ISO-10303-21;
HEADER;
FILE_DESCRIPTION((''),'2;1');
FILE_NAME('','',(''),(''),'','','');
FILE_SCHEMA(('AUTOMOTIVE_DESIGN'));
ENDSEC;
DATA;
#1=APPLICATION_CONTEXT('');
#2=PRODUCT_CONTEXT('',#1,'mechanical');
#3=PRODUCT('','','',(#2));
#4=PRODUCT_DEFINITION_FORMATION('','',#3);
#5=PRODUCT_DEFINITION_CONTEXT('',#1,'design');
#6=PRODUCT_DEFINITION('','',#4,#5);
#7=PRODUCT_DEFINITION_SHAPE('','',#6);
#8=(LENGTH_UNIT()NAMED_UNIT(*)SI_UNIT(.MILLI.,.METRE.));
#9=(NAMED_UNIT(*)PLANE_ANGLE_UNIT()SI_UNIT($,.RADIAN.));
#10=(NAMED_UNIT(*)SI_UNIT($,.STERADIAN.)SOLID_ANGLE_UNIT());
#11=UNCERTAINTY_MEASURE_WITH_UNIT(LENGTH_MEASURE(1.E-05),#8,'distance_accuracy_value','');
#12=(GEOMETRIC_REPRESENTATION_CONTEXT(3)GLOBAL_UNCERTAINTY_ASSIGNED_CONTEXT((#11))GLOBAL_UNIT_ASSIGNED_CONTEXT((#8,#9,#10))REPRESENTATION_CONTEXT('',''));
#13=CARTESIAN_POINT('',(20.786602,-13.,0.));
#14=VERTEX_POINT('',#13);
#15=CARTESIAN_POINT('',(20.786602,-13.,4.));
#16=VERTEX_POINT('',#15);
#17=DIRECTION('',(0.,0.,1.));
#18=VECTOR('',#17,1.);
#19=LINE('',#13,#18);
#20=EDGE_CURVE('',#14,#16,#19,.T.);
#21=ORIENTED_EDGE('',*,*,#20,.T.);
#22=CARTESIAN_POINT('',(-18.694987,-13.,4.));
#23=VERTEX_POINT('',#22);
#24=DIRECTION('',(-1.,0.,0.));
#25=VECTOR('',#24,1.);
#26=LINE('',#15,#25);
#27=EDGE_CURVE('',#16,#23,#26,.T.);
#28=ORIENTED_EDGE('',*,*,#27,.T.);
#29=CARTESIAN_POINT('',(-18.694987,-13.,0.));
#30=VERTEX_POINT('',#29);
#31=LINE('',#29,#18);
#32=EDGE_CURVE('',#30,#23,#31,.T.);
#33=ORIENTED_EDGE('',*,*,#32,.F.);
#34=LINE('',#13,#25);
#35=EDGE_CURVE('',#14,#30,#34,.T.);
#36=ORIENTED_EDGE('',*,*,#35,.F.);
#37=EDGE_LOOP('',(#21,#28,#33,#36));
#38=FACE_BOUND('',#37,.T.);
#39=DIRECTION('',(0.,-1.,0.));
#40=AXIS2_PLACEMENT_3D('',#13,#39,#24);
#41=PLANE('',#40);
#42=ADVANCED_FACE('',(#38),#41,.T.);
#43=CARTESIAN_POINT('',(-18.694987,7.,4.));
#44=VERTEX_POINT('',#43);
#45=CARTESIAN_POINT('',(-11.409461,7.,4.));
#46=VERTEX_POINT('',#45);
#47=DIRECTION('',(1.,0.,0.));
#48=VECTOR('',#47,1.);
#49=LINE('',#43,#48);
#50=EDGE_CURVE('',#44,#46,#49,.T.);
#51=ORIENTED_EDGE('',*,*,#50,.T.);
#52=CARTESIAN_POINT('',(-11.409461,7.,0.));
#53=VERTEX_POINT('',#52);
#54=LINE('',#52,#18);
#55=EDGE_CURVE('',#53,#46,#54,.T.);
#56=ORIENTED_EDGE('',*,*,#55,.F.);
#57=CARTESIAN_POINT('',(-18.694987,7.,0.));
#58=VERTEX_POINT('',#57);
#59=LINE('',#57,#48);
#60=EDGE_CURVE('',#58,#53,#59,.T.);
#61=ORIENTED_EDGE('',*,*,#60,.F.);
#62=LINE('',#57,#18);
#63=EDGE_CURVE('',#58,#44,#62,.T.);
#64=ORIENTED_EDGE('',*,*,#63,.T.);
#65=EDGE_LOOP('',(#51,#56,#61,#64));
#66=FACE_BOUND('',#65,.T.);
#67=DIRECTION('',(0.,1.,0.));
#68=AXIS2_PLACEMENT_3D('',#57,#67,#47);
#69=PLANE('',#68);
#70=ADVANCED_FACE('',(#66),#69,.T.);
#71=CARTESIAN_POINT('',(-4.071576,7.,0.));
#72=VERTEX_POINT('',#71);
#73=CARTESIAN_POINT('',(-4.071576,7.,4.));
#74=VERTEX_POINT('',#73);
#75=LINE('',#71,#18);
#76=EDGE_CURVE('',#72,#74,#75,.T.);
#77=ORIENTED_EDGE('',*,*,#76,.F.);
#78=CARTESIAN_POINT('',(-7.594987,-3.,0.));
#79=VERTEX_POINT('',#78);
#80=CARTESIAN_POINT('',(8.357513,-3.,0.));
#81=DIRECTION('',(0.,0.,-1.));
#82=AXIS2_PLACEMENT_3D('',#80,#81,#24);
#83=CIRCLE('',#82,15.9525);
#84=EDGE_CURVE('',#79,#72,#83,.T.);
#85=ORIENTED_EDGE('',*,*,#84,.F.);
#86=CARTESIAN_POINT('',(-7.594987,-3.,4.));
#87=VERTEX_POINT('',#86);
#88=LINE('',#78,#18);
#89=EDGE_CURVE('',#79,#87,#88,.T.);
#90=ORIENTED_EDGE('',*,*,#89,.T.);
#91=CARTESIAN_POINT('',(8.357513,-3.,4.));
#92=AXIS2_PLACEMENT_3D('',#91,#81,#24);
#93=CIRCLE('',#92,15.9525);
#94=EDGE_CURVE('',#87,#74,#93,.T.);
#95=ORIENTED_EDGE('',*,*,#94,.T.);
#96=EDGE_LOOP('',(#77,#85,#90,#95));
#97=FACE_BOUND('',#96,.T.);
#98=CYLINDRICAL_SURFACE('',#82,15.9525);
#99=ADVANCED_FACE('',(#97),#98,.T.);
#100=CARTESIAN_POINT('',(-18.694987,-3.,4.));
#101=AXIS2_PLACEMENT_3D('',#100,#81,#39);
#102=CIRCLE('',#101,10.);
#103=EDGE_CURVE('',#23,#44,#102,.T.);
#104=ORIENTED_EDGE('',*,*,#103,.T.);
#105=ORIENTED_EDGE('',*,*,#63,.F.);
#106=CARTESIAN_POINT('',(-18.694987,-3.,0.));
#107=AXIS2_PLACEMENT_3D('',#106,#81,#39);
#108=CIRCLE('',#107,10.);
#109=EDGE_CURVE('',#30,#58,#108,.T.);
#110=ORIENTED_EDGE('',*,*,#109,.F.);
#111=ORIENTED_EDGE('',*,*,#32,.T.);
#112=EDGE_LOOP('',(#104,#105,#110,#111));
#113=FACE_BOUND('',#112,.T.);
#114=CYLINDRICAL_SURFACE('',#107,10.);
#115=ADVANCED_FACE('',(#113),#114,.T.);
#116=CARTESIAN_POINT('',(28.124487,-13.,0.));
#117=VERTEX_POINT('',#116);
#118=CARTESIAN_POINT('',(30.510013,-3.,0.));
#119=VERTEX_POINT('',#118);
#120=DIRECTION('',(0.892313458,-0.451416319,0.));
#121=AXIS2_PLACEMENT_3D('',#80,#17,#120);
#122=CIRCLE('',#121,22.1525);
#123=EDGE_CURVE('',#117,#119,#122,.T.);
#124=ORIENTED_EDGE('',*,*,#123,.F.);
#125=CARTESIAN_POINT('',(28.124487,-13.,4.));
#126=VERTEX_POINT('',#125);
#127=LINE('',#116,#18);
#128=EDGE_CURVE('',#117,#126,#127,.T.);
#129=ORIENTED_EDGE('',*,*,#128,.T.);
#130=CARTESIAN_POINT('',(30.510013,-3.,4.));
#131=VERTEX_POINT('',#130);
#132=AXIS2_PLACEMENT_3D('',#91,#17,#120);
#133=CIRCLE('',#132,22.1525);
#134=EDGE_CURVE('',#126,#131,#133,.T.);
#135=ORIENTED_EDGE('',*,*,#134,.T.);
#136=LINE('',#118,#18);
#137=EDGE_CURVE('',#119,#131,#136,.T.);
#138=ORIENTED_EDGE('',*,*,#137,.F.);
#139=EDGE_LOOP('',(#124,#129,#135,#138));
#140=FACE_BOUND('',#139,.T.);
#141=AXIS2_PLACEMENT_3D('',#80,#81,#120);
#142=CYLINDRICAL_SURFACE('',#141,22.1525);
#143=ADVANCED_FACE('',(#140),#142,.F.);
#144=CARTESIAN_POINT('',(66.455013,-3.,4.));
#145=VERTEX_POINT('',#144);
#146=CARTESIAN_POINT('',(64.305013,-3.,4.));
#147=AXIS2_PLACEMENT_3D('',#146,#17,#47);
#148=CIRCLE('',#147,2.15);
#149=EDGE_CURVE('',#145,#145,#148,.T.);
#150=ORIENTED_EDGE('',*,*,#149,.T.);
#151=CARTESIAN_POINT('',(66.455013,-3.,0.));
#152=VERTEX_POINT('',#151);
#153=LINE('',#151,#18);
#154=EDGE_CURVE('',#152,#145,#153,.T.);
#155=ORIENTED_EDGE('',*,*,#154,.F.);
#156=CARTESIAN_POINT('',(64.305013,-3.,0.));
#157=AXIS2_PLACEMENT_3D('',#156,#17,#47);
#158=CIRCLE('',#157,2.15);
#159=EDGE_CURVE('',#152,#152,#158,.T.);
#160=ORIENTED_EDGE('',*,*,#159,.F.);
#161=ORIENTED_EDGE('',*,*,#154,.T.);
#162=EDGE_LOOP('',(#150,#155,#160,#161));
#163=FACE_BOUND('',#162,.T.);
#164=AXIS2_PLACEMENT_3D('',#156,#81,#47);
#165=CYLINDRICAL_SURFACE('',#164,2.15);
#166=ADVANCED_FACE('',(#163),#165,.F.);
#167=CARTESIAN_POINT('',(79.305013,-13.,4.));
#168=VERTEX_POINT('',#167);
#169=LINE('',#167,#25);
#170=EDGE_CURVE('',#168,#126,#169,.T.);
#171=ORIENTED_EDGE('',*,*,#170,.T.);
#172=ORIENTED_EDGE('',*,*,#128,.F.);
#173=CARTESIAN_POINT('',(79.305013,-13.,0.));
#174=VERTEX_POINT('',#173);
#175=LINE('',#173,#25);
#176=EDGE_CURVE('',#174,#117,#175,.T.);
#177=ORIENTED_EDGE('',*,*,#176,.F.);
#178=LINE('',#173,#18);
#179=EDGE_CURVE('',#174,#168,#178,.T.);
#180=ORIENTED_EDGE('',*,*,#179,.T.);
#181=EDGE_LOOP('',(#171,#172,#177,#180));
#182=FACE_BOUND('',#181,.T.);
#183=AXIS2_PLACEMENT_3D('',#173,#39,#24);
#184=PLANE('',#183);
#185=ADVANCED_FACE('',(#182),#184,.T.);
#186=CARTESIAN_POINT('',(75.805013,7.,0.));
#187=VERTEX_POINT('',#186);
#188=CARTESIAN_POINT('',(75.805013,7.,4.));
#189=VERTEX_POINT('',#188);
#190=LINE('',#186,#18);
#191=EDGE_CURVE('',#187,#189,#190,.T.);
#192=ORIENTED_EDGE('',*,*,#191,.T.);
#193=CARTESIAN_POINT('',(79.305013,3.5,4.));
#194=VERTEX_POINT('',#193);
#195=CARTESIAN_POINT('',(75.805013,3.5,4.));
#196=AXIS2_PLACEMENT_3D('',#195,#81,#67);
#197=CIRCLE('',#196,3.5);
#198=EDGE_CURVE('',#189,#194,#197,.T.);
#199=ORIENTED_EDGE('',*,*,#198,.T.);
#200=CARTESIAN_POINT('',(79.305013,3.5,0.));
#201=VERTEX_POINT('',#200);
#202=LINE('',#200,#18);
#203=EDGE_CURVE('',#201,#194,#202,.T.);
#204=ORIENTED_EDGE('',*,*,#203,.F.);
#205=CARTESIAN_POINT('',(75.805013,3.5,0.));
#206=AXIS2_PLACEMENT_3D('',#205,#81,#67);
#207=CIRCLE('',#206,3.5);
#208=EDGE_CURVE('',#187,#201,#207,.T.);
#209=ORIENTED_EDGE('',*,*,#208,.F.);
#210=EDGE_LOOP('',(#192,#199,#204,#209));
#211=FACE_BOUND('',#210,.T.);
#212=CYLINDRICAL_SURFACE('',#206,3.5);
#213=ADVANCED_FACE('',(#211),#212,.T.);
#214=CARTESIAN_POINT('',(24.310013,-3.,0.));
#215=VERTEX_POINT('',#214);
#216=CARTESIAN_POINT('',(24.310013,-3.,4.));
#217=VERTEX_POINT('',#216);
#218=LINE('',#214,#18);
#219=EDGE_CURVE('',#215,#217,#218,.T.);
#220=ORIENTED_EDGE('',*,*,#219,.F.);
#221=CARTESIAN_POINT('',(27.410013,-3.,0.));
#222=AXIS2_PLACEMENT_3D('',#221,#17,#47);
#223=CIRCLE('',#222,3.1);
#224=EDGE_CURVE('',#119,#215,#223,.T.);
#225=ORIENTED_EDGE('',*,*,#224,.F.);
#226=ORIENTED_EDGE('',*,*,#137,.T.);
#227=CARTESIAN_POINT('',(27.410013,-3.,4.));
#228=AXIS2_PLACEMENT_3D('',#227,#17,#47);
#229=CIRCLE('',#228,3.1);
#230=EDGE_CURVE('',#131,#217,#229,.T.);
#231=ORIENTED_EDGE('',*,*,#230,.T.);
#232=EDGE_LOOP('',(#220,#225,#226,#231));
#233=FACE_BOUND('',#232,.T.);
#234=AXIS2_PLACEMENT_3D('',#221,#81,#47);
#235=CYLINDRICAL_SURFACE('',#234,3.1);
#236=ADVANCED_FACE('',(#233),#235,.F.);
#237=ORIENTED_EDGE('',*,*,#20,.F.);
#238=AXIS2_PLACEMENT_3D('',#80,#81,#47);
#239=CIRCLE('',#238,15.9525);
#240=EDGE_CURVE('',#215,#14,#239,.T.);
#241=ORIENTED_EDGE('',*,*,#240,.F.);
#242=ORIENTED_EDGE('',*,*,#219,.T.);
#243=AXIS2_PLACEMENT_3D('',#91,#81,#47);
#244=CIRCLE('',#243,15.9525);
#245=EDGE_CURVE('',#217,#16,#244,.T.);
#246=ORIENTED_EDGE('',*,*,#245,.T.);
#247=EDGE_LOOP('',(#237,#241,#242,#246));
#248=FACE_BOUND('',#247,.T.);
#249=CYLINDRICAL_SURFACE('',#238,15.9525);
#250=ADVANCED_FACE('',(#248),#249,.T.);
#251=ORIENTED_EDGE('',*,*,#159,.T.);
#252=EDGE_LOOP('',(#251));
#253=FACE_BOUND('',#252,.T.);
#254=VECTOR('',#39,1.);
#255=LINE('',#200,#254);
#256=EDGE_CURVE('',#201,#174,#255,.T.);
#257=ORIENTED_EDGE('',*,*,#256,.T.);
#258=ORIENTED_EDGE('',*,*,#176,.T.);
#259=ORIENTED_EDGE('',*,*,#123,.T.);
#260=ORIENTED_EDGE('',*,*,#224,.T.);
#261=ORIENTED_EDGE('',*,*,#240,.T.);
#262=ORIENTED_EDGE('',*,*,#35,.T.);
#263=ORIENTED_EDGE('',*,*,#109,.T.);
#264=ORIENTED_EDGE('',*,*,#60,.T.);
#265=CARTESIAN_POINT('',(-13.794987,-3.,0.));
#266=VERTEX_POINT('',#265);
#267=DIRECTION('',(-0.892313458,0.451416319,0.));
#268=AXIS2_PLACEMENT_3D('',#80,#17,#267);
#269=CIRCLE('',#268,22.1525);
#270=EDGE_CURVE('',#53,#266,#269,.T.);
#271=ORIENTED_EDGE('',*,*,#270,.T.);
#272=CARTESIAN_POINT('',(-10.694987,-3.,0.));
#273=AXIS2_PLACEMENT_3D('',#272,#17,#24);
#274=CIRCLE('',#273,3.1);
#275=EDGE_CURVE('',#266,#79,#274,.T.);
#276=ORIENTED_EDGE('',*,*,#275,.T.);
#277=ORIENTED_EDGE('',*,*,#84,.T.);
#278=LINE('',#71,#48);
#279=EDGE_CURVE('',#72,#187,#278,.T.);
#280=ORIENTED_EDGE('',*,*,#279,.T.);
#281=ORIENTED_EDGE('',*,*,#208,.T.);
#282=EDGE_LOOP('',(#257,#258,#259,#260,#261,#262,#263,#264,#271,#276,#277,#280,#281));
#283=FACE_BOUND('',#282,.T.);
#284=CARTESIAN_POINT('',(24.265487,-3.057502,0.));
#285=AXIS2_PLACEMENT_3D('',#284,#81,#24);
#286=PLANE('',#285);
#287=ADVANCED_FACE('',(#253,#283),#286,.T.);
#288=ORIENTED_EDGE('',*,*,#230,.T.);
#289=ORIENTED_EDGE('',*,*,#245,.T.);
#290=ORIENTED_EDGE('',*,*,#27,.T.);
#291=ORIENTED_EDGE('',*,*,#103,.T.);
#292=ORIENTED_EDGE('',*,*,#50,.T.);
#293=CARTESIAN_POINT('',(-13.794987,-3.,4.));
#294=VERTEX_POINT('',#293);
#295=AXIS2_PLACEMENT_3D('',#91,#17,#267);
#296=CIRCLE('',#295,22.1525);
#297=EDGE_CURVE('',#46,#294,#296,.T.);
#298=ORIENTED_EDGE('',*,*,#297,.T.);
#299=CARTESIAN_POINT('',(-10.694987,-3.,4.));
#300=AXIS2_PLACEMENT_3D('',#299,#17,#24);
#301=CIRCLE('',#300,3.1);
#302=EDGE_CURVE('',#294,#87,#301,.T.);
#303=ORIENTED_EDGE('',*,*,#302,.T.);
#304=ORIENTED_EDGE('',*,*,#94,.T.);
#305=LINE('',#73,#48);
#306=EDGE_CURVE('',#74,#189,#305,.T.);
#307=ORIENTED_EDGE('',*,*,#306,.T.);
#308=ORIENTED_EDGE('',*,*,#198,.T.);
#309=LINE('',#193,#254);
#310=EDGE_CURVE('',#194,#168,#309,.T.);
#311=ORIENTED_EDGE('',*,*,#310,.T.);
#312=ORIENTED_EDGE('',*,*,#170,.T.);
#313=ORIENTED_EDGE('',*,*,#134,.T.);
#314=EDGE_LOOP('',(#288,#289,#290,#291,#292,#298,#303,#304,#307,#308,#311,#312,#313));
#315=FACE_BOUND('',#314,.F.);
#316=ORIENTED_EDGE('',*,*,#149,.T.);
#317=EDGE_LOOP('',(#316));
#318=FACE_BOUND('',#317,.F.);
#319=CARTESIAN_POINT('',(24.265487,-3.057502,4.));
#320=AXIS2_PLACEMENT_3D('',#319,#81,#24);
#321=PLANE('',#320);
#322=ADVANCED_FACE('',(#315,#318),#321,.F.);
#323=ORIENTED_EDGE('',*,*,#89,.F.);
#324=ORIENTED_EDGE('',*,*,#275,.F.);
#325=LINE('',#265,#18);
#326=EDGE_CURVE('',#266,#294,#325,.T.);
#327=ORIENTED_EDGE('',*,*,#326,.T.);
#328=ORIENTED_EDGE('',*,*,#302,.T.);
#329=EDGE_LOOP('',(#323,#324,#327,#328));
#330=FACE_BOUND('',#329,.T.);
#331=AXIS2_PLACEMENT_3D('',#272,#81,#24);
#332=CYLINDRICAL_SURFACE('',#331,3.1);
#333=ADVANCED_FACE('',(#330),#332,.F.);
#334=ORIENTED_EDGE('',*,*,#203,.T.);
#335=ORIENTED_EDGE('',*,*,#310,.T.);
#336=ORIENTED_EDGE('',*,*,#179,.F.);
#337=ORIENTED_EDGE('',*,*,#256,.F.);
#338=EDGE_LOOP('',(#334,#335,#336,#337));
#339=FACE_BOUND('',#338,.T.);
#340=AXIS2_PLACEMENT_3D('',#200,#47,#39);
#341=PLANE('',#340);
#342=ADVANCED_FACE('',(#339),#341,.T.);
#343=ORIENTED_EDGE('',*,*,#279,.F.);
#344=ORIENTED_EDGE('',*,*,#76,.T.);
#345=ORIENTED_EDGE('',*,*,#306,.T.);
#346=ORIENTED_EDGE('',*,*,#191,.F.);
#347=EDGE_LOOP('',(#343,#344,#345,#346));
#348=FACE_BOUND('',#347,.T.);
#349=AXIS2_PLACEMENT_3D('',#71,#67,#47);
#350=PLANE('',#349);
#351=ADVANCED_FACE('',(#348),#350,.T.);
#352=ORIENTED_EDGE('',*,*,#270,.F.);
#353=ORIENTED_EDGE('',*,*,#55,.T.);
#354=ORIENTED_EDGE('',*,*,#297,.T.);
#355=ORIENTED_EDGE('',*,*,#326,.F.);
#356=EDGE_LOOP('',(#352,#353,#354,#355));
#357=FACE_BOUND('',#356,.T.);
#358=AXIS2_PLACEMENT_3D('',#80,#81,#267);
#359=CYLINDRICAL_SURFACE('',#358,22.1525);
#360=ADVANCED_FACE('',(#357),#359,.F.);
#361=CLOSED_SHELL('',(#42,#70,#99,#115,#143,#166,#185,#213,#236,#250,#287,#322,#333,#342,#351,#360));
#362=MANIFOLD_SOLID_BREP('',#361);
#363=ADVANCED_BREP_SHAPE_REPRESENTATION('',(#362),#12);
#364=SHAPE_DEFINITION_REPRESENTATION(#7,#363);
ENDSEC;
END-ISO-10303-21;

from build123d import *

# Parameters (mm, degrees)
SKETCH1_R           = 2.15
BOSS_EXTRUDE1_DEPTH = 4


with BuildPart() as part:
    # Sketch1 → Boss-Extrude1 (new body)
    with BuildSketch(Plane.XY):
        with BuildLine():
            Line((20.7866022, -13), (-18.694986916, -13))
            ThreePointArc((-18.694986916, -13), (-28.694986916, -3), (-18.694986916, 7))
            Line((-18.694986916, 7), (-11.409460793, 7))
            ThreePointArc((-11.409460793, 7), (-13.190353922, 2.140299964), (-13.794986916, -3))
            ThreePointArc((-13.794986916, -3), (-10.694986916, -6.1), (-7.594986916, -3))
            ThreePointArc((-7.594986916, -3), (-6.688371741, 2.301283436), (-4.071576031, 7))
            Line((-4.071576031, 7), (75.805013084, 7))
            ThreePointArc((75.805013084, 7), (78.279886819, 5.974873734), (79.305013084, 3.5))
            Line((79.305013084, 3.5), (79.305013084, -13))
            Line((79.305013084, -13), (28.124486961, -13))
            ThreePointArc((28.124486961, -13), (29.905380091, -8.140299964), (30.510013084, -3))
            ThreePointArc((30.510013084, -3), (27.410013084, 0.1), (24.310013084, -3))
            ThreePointArc((24.310013084, -3), (23.40339791, -8.301283436), (20.7866022, -13))
        make_face()
        with Locations((64.305013084, -3)):
            Circle(SKETCH1_R, mode=Mode.SUBTRACT)
    extrude(amount=BOSS_EXTRUDE1_DEPTH)


solid = part.part
